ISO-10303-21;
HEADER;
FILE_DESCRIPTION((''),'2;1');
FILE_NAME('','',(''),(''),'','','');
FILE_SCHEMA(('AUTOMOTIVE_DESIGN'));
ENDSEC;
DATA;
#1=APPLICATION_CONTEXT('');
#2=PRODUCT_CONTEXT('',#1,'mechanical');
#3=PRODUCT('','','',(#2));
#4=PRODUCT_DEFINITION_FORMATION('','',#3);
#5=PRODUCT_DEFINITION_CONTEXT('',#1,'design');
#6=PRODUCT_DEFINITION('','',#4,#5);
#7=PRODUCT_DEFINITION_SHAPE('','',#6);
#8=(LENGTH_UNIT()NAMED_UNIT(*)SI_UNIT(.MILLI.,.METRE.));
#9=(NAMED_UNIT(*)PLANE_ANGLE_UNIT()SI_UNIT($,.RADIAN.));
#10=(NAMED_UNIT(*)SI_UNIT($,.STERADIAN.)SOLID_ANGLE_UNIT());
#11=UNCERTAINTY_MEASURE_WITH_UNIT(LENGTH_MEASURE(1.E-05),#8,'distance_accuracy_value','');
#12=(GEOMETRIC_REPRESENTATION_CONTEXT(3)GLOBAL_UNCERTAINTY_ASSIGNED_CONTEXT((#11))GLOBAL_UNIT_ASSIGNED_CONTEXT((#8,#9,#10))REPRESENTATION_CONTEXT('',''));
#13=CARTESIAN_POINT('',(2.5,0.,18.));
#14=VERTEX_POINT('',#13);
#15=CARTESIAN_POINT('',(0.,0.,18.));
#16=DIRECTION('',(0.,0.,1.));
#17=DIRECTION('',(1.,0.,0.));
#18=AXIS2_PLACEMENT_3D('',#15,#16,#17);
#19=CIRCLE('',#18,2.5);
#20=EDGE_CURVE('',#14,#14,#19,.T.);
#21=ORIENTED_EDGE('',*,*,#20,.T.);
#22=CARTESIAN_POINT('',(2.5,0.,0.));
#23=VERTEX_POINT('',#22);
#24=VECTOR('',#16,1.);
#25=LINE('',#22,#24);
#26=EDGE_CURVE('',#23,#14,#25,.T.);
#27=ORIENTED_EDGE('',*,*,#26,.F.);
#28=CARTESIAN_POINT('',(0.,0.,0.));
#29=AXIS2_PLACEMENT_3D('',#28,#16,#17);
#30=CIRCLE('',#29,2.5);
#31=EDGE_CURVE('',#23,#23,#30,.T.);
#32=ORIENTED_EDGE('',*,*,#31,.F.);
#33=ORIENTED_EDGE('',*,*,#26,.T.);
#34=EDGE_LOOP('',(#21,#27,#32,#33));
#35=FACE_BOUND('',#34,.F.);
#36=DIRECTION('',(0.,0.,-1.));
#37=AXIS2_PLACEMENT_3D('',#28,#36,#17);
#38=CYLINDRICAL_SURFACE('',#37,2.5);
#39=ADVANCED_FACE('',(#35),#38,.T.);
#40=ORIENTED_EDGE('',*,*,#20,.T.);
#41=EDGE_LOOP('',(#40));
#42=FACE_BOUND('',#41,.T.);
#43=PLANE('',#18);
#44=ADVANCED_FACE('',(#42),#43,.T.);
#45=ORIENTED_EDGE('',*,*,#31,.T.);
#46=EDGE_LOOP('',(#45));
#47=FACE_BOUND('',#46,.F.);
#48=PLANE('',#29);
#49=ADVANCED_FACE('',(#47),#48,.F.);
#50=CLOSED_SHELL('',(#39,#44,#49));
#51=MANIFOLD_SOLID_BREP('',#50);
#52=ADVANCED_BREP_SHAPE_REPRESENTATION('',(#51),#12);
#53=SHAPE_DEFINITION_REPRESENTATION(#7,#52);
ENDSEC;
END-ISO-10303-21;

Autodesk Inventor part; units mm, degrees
ref_plane "YZ Plane" through (0, 0, 0) normal (1, 0, 0) x (0, 1, 0)
ref_plane "XZ Plane" through (0, 0, 0) normal (0, 1, 0) x (-1, 0, 0)
ref_plane "XY Plane" through (0, 0, 0) normal (0, 0, 1) x (1, 0, 0)
sketch "Sketch1" plane through (0, 0, 0) normal (0, 0, 1) x (1, 0, 0)
  circle A0 centre (0, 0) radius 2.5
  dimension "Diameter" = 5
extrude "Extrusion1" add sketch "Sketch1" along normal blind 18
properties part number "Hole"
